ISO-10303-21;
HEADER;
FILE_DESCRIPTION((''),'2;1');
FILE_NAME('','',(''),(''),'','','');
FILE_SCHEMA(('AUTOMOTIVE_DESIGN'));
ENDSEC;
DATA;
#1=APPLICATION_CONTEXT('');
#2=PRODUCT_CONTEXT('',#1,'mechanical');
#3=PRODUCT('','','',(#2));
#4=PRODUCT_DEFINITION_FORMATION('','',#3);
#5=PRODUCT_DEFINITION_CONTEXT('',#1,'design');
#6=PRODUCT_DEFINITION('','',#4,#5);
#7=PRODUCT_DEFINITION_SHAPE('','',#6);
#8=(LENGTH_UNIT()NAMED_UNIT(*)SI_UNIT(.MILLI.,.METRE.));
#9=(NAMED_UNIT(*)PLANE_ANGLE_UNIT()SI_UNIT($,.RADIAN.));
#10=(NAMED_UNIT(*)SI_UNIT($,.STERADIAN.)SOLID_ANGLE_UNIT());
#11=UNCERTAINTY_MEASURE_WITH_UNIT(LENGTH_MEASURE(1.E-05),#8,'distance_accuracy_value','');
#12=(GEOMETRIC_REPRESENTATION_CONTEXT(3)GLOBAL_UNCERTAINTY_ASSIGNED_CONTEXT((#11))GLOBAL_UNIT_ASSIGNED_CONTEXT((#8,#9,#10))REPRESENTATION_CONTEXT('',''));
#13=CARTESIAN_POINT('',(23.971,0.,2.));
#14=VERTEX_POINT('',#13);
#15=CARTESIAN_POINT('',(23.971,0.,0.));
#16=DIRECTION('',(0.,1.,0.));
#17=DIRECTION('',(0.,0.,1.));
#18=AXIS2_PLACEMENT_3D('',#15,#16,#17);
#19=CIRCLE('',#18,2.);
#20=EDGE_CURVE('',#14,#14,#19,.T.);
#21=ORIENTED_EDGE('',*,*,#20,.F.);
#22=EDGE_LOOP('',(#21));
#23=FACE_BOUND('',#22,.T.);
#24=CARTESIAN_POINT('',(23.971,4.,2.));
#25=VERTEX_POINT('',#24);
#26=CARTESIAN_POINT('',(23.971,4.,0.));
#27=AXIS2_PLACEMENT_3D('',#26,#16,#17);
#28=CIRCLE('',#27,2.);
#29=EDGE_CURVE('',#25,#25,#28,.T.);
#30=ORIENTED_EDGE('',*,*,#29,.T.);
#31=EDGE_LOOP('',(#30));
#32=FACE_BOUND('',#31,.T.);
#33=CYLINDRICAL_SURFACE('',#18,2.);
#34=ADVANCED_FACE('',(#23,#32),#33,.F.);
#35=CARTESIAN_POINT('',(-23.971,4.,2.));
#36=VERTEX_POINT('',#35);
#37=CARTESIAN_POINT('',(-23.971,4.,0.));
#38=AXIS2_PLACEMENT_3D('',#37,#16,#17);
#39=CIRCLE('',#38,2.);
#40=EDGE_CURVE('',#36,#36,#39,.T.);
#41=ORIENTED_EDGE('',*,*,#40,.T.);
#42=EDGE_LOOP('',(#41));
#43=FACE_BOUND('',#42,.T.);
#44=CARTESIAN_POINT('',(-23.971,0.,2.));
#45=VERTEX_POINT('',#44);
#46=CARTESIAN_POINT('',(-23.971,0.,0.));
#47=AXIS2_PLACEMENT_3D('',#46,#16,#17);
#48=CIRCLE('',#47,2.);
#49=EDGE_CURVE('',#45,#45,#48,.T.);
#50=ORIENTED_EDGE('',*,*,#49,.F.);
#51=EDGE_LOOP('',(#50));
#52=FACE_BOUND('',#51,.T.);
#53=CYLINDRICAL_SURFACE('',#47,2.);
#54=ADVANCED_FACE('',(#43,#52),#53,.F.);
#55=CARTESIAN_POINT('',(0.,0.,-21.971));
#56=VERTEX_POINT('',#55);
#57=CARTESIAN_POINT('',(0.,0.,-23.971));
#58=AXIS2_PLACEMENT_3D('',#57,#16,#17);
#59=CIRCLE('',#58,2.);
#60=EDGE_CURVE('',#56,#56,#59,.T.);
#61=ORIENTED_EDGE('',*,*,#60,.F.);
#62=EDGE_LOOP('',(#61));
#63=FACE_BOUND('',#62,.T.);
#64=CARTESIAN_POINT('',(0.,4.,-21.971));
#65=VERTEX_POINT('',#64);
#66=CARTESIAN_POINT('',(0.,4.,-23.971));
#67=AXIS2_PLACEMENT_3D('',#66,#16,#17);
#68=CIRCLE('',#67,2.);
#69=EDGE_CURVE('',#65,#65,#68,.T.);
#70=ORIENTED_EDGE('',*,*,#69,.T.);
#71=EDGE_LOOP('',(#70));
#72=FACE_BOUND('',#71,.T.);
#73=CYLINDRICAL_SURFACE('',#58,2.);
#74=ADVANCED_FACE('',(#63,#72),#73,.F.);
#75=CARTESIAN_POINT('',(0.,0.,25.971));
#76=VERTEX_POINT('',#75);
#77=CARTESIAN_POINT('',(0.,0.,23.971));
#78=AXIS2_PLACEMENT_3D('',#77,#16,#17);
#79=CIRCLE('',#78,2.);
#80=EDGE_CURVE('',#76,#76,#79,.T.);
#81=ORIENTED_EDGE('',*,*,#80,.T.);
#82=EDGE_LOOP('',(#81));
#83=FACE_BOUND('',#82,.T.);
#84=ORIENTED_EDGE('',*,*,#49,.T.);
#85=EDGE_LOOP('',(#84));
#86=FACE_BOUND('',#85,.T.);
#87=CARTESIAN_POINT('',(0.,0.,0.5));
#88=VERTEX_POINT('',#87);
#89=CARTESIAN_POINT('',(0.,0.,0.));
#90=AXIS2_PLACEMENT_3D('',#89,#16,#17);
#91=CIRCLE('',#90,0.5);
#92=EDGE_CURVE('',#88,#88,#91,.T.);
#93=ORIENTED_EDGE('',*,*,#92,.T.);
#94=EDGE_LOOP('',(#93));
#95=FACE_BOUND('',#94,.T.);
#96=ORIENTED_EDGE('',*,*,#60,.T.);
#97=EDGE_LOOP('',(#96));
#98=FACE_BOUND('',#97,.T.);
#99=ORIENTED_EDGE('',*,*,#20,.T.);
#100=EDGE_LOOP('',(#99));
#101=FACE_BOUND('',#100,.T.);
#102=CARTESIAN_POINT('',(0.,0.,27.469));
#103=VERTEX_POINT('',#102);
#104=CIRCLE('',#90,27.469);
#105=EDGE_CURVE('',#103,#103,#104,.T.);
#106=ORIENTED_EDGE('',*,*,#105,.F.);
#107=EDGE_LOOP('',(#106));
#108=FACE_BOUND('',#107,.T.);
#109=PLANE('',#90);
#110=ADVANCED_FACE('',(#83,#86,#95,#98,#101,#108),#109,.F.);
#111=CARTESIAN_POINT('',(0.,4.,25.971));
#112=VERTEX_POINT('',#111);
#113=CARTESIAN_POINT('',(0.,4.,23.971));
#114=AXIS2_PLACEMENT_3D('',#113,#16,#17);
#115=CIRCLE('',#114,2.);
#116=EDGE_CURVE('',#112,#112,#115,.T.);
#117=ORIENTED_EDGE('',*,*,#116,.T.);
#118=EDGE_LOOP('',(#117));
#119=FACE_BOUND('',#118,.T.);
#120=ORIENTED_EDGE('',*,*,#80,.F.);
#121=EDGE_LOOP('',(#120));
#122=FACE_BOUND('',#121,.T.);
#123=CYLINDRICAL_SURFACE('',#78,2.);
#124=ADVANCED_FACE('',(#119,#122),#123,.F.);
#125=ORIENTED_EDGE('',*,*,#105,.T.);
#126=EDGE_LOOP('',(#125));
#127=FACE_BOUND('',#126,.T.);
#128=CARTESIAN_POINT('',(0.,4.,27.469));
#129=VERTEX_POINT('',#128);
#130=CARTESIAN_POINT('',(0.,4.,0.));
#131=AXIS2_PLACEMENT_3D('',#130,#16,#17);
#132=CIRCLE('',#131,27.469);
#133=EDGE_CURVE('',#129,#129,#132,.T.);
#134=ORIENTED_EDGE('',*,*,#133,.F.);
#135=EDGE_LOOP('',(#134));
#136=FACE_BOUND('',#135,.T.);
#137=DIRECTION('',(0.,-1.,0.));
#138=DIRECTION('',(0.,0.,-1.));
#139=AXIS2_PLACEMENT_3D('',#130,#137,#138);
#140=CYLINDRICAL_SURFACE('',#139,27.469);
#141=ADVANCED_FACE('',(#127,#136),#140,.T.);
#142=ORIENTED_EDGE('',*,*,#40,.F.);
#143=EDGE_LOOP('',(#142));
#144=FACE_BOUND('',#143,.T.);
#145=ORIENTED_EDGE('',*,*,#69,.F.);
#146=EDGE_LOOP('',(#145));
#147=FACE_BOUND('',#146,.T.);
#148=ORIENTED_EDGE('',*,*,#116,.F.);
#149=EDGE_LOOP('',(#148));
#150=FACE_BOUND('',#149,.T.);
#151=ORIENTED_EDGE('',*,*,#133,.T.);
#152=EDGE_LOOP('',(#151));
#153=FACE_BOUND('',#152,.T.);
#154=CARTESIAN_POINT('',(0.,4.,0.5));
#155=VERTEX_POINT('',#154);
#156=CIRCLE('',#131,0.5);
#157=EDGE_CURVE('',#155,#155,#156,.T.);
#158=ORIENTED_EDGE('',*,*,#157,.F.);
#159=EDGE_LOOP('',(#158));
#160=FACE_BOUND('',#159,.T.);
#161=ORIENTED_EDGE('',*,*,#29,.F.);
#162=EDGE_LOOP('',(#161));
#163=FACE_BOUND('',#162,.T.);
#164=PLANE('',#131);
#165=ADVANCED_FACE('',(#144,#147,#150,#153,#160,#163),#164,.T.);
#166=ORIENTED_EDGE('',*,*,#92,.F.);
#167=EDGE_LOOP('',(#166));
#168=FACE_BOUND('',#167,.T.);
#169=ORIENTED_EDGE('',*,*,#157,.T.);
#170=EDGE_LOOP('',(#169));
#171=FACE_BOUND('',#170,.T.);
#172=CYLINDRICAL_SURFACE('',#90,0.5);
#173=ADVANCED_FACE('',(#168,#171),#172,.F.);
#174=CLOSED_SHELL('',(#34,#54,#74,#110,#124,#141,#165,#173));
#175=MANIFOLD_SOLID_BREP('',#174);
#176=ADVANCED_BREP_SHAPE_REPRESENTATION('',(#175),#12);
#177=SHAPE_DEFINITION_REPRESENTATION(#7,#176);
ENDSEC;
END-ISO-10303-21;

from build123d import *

# Parameters (mm, degrees)
SKETCH2_R           = 27.469
BOSS_EXTRUDE1_DEPTH = 4
SKETCH3_R           = 2
CUT_EXTRUDE1_DEPTH  = 5
SKETCH4_R           = 0.5
CUT_EXTRUDE2_DEPTH  = 6


with BuildPart() as part:
    # Sketch2 → Boss-Extrude1 (new body)
    with BuildSketch(Plane(origin=(0, 0, 0), x_dir=(1, 0, 0), z_dir=(0, 1, 0))):
        Circle(SKETCH2_R)
    extrude(amount=BOSS_EXTRUDE1_DEPTH)

    # Sketch3 → Cut-Extrude1 (cut, through all)
    with BuildSketch(Plane(origin=(0, 4, 0), x_dir=(1, 0, 0), z_dir=(0, 1, 0))):
        with Locations((-23.971, 0)):
            Circle(SKETCH3_R)
        with Locations((0, 23.971)):
            Circle(SKETCH3_R)
        with Locations((23.971, 0)):
            Circle(SKETCH3_R)
        with Locations((0, -23.971)):
            Circle(SKETCH3_R)
    extrude(amount=-CUT_EXTRUDE1_DEPTH, mode=Mode.SUBTRACT)

    # Sketch4 → Cut-Extrude2 (cut, through all)
    with BuildSketch(Plane(origin=(0, 5, 0), x_dir=(1, 0, 0), z_dir=(0, 1, 0))):
        Circle(SKETCH4_R)
    extrude(amount=-CUT_EXTRUDE2_DEPTH, mode=Mode.SUBTRACT)


solid = part.part
